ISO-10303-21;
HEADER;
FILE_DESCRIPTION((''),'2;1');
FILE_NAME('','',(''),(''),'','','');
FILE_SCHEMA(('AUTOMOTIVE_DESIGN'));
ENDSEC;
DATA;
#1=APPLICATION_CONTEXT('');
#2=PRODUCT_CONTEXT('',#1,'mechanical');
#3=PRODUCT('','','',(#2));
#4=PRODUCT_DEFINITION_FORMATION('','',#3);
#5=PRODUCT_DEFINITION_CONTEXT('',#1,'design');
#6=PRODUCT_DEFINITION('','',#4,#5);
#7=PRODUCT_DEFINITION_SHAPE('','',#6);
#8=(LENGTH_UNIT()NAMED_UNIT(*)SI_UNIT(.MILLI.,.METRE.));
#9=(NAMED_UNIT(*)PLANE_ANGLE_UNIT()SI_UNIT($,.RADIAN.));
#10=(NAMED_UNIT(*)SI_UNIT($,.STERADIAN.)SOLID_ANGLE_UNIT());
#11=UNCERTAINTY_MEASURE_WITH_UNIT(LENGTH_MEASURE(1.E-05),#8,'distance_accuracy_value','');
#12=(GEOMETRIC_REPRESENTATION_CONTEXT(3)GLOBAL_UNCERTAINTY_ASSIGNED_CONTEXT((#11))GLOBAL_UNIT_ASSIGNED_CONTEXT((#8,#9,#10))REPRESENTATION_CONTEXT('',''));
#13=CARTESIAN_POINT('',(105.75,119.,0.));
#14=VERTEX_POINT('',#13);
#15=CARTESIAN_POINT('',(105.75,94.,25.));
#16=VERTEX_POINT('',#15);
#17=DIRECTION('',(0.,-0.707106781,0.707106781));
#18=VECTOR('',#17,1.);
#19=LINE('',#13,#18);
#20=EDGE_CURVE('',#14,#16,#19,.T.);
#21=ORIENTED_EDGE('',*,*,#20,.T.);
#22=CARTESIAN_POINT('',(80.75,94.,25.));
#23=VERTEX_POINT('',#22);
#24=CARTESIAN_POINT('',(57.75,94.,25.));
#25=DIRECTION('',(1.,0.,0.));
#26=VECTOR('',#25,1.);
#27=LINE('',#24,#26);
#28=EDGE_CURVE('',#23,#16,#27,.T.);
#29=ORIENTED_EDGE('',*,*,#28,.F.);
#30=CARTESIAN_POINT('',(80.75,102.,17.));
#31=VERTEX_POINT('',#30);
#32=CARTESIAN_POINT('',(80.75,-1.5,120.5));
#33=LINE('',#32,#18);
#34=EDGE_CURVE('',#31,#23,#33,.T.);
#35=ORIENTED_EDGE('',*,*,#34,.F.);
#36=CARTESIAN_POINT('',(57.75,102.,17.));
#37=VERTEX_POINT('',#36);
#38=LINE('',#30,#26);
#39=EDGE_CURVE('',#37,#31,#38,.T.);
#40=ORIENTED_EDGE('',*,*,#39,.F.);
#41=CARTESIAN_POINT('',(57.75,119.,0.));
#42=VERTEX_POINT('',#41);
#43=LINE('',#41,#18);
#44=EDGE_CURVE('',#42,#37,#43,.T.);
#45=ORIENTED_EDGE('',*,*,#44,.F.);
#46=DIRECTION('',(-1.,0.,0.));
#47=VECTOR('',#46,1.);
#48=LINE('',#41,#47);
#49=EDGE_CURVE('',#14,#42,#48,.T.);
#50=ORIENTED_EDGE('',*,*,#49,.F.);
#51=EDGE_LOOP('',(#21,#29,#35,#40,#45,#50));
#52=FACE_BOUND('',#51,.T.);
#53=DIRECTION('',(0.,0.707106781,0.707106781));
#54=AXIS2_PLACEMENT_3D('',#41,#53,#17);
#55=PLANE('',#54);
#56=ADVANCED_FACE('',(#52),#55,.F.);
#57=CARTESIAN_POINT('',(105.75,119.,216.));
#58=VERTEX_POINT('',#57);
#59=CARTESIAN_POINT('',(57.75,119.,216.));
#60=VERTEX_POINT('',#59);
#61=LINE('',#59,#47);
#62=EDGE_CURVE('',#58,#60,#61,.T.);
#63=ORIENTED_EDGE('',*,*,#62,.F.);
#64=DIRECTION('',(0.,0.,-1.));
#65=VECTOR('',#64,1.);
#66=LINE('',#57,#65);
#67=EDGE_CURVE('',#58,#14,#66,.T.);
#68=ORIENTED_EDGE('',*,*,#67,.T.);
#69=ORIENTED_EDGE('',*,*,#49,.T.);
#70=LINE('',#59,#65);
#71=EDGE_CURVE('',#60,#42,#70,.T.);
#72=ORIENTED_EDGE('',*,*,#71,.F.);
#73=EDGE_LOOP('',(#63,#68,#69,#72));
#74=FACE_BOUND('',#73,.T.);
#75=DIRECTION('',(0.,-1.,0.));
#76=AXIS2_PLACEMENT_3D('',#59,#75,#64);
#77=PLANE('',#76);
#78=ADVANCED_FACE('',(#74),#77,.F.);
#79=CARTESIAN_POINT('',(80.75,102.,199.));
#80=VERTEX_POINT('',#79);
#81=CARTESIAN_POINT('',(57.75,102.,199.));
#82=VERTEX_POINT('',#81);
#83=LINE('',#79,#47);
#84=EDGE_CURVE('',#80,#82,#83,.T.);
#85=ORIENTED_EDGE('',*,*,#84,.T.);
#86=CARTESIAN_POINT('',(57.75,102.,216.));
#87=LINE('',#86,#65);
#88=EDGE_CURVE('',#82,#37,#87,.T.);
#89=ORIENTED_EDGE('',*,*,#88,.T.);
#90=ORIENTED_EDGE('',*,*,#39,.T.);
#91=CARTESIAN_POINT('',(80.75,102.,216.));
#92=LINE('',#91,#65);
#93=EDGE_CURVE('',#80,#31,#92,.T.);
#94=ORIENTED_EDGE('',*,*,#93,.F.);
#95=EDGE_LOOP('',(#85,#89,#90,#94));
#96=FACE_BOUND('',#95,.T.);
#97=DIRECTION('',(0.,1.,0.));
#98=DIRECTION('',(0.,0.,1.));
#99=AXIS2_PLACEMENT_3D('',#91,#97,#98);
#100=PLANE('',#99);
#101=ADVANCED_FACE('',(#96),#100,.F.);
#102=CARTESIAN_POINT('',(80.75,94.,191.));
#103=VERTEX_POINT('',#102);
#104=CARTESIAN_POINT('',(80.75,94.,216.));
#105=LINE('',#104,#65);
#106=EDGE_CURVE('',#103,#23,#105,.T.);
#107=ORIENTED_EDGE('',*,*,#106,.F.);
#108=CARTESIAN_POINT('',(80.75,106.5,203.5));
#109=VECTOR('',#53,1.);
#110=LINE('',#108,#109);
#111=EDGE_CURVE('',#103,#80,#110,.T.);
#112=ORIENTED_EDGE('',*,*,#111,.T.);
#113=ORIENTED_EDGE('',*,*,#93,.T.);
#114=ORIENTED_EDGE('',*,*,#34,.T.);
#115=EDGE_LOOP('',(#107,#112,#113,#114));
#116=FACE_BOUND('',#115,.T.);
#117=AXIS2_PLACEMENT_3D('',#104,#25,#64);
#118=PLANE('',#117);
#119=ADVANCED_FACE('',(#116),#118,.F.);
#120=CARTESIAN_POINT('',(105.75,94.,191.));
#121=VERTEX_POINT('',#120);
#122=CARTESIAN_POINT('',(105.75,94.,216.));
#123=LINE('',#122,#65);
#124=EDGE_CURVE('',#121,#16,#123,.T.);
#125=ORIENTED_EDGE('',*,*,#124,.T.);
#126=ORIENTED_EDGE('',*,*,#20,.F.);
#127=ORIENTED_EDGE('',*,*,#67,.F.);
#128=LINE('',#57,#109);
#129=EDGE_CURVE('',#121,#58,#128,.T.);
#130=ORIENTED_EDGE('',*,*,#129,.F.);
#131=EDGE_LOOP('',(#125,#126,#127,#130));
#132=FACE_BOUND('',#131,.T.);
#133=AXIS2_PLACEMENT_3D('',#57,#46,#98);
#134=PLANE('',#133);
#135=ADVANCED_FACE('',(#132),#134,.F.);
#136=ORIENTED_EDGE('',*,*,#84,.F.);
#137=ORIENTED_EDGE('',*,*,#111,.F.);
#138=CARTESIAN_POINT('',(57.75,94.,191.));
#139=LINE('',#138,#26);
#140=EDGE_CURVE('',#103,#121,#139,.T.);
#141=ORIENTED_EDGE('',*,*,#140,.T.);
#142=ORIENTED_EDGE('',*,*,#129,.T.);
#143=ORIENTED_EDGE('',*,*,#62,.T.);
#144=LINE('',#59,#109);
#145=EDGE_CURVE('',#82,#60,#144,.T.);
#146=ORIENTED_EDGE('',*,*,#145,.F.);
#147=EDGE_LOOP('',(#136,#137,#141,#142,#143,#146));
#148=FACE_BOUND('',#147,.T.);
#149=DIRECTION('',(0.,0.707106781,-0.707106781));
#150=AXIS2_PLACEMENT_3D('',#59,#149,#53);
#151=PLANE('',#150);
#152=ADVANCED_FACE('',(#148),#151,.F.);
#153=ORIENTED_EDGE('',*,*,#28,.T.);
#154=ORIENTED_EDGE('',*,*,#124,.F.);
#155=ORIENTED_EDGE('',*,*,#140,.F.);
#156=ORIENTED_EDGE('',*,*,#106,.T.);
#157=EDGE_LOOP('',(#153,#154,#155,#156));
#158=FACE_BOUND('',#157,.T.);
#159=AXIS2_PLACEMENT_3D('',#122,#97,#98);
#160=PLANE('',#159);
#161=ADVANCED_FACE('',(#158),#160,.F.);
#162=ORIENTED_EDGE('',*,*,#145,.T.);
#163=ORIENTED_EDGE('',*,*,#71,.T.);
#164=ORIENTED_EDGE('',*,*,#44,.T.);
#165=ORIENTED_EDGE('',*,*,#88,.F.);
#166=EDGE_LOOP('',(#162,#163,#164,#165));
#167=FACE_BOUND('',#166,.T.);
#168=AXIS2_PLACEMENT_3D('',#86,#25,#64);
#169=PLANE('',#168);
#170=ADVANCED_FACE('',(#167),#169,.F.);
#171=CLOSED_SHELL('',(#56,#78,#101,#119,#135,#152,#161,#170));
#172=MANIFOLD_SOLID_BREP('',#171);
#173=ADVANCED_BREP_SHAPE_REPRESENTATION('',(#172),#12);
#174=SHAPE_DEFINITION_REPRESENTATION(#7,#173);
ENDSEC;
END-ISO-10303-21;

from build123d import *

# Parameters (mm, degrees)
BOSS_EXTRU_1_DEPTH      = 216
ENL_V_MAT_EXTRU_1_DEPTH = 49


with BuildPart() as part:
    # Esquisse1 → Boss.-Extru.1 (new body)
    with BuildSketch(Plane.XY):
        Polygon((105.75, 119), (105.75, 94), (80.75, 94), (80.75, 102), (57.75, 102), (57.75, 119), align=None)
    extrude(amount=BOSS_EXTRU_1_DEPTH)

    # Esquisse3 → Enlèv. mat.-Extru.1 (cut, through all)
    with BuildSketch(Plane(origin=(105.75, 0, 0), x_dir=(0, 0, -1), z_dir=(1, 0, 0))):
        Polygon((0, 119), (-25, 94), (0, 94), align=None)
        Polygon((-191, 94), (-216, 94), (-216, 119), align=None)
    extrude(amount=-ENL_V_MAT_EXTRU_1_DEPTH, mode=Mode.SUBTRACT)


solid = part.part
